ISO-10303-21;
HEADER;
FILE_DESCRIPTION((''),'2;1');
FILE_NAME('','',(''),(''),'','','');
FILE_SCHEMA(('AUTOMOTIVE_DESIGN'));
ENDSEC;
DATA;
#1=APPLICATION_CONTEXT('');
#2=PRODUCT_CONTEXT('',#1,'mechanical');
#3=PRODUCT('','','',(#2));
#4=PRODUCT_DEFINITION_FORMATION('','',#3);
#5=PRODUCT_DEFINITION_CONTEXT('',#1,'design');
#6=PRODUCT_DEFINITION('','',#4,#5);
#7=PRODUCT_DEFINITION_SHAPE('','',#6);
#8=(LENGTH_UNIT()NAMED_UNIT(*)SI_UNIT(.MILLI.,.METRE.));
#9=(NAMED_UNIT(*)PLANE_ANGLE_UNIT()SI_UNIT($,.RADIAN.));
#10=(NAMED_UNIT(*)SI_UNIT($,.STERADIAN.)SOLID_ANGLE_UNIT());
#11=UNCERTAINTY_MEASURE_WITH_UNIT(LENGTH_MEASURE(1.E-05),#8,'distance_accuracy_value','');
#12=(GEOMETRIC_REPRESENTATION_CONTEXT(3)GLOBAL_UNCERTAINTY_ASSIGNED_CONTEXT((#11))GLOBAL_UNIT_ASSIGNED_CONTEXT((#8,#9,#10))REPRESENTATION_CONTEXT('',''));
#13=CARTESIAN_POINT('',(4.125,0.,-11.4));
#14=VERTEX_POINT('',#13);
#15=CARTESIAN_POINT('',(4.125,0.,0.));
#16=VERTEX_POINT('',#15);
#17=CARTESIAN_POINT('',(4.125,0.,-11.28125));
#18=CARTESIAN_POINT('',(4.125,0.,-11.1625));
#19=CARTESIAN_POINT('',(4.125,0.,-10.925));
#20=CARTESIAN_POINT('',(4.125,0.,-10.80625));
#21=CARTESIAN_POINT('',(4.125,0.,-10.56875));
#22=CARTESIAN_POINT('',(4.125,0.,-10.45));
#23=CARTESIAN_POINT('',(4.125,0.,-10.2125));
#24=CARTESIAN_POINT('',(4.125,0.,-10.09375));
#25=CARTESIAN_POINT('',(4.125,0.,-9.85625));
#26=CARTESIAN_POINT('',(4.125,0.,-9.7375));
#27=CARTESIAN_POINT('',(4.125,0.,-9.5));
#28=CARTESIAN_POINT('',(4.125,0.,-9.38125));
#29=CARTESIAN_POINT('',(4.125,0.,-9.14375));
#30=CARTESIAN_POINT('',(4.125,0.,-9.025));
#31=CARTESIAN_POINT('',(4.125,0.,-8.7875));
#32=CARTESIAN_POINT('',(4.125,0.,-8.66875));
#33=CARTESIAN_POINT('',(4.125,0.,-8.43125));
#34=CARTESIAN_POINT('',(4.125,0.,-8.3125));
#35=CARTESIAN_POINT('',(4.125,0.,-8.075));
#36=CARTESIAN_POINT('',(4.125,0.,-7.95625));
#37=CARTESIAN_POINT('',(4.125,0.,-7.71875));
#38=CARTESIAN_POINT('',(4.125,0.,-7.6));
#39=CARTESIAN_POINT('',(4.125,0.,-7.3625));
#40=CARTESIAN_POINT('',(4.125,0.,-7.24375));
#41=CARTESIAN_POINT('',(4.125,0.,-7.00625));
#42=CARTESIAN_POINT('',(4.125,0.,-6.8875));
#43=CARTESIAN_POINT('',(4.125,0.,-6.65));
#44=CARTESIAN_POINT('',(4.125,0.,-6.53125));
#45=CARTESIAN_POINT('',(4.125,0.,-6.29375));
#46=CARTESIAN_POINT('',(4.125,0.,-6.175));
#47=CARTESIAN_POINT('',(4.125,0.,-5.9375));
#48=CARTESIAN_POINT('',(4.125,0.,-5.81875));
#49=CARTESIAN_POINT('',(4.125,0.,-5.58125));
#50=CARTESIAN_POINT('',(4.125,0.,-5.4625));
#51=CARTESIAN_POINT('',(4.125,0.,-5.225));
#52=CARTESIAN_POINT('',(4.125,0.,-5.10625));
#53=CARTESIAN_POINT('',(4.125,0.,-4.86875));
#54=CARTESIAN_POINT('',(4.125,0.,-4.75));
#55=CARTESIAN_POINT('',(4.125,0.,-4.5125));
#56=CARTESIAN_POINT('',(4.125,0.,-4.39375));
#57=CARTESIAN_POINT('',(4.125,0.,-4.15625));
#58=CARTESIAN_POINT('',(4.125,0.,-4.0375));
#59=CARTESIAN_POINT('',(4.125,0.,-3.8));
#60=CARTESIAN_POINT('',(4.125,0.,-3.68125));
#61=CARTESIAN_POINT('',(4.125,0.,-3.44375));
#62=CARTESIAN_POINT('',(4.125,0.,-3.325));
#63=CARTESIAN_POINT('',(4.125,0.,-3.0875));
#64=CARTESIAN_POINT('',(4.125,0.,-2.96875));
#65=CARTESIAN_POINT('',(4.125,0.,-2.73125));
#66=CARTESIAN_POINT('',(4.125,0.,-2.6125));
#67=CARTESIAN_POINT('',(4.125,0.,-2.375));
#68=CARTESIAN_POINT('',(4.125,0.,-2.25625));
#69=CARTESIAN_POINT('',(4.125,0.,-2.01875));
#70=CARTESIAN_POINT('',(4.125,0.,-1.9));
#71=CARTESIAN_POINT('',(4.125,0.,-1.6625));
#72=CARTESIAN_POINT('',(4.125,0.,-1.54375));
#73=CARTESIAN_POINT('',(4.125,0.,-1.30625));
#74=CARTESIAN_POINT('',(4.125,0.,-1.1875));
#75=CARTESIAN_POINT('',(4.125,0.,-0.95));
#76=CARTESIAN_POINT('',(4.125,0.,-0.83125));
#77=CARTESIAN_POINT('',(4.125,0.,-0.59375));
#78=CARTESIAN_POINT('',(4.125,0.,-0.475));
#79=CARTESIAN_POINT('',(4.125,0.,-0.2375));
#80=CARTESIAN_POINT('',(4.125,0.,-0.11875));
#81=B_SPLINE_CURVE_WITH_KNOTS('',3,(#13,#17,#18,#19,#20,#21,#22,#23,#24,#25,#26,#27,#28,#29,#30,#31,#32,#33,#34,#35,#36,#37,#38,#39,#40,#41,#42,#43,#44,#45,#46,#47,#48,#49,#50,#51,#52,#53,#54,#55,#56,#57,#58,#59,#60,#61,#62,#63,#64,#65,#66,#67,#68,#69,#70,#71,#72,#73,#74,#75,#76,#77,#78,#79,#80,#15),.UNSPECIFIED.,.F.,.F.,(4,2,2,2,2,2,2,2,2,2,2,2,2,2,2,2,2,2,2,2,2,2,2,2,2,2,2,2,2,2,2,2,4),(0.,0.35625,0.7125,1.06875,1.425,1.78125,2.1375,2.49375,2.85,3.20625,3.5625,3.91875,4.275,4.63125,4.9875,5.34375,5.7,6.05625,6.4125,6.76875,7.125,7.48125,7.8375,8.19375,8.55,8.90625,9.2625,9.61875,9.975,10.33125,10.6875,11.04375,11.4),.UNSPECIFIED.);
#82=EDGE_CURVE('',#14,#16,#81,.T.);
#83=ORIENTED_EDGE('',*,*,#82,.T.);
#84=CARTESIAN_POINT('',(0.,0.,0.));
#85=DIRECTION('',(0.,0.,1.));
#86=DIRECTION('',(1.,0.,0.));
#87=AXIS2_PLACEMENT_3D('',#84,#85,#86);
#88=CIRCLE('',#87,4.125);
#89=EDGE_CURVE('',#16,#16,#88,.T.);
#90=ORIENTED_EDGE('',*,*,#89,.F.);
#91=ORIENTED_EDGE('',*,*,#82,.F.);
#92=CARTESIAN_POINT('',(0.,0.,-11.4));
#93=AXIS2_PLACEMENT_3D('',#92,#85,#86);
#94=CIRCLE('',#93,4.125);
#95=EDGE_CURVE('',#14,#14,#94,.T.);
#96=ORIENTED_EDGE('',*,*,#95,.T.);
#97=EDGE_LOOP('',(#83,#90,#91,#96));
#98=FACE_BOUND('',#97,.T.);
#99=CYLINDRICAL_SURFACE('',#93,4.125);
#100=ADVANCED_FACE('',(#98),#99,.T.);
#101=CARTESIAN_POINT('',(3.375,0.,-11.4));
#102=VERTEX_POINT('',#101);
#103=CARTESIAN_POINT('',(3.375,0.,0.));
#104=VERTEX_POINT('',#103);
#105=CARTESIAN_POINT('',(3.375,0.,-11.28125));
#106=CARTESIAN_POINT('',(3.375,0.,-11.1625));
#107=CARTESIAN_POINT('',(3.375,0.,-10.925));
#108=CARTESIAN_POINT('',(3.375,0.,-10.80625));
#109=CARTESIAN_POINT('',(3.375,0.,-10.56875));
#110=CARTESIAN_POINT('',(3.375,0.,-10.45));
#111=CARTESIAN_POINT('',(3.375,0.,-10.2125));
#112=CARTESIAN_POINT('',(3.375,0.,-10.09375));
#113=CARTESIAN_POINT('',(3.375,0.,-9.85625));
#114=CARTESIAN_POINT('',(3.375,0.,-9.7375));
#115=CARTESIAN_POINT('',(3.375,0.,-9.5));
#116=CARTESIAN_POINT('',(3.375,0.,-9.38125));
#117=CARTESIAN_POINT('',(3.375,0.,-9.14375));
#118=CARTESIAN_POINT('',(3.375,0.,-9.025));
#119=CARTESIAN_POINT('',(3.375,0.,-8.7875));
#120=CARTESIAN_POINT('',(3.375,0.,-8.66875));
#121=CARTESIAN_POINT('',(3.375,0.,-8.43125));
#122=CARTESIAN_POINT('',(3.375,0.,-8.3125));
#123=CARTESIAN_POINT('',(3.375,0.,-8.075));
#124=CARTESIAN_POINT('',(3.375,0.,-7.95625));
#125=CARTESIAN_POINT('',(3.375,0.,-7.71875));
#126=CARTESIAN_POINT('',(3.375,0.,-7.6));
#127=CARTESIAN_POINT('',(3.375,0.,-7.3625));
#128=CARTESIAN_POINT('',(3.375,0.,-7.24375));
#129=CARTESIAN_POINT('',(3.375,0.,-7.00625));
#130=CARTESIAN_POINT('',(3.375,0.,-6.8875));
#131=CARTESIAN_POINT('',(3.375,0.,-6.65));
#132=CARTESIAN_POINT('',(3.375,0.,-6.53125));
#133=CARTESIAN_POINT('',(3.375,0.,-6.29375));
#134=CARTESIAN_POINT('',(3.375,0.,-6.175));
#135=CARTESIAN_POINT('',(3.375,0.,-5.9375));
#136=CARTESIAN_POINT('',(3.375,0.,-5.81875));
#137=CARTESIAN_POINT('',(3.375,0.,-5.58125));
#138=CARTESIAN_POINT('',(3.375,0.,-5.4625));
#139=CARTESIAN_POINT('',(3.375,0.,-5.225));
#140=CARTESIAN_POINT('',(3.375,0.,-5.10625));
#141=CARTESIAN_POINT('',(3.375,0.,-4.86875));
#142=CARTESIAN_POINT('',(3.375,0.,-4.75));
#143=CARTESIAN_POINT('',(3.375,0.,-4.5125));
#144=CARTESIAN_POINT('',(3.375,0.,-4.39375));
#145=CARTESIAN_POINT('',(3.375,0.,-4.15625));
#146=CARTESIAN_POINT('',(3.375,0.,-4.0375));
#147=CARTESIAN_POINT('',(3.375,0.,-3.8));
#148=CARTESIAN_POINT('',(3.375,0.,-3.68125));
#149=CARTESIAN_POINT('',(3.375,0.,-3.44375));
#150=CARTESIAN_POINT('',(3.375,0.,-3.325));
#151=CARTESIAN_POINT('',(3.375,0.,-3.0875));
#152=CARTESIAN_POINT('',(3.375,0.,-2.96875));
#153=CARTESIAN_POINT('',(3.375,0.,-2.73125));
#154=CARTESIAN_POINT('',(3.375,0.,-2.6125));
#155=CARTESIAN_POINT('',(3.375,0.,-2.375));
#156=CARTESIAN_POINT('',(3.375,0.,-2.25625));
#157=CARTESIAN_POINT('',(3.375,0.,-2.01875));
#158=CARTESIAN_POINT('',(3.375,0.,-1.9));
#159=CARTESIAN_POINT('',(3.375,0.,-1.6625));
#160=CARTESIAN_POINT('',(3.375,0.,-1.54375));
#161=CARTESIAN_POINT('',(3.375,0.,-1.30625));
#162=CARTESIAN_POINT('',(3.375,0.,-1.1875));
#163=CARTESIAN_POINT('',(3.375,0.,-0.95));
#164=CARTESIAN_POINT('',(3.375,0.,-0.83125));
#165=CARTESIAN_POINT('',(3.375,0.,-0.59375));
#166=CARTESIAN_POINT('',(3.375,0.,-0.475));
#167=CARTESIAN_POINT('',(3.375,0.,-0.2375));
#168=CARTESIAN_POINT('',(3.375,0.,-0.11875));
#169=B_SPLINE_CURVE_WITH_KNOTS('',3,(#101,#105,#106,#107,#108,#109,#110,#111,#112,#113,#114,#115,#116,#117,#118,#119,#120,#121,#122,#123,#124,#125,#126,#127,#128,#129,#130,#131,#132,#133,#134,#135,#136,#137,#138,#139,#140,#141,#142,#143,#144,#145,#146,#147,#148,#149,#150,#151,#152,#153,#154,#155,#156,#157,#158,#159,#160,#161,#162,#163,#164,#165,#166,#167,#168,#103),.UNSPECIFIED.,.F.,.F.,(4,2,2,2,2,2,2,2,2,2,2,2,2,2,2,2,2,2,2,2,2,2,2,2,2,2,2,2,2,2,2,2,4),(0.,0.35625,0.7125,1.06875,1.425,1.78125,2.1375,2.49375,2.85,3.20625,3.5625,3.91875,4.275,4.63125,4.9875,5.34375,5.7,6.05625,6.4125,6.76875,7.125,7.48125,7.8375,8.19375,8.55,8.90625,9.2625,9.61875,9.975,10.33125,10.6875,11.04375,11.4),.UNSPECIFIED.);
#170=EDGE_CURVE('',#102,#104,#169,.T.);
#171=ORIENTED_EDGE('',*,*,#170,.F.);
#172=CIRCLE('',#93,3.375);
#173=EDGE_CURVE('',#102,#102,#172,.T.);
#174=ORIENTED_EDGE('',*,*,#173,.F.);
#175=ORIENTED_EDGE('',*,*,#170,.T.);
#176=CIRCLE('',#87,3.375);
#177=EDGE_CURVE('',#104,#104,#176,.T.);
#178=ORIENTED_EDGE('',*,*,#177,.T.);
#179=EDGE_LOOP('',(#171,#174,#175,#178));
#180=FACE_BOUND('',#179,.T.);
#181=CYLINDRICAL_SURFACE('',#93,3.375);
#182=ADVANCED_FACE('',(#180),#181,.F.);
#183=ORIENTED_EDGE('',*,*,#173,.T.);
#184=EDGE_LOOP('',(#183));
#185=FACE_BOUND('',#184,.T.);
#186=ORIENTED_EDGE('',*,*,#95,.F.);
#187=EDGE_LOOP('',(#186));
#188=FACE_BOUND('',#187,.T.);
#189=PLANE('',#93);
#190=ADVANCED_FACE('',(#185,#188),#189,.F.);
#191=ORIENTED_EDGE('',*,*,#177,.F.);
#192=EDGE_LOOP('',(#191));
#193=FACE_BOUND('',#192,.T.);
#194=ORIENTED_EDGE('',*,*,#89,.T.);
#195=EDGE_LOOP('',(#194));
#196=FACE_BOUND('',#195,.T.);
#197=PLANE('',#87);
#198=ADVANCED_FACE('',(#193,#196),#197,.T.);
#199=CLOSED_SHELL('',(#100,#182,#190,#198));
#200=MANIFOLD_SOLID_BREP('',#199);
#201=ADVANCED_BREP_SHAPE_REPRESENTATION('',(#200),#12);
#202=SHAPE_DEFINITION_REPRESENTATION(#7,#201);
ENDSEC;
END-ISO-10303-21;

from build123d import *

# Parameters (mm, degrees)
SKETCH1_R           = 2.75
SKETCH1_R_2         = 2.25
BOSS_EXTRUDE1_DEPTH = 7.6
SCALE1_SCALE        = 1.5


with BuildPart() as part:
    # Sketch1 → Boss-Extrude1 (new body)
    with BuildSketch(Plane.XY):
        Circle(SKETCH1_R)
        Circle(SKETCH1_R_2, mode=Mode.SUBTRACT)
    extrude(amount=-BOSS_EXTRUDE1_DEPTH)


with BuildPart() as part_1:
    # Scale1: scaled about (0, 0, 0)
    add(part.part.scale(SCALE1_SCALE))


solid = part_1.part
